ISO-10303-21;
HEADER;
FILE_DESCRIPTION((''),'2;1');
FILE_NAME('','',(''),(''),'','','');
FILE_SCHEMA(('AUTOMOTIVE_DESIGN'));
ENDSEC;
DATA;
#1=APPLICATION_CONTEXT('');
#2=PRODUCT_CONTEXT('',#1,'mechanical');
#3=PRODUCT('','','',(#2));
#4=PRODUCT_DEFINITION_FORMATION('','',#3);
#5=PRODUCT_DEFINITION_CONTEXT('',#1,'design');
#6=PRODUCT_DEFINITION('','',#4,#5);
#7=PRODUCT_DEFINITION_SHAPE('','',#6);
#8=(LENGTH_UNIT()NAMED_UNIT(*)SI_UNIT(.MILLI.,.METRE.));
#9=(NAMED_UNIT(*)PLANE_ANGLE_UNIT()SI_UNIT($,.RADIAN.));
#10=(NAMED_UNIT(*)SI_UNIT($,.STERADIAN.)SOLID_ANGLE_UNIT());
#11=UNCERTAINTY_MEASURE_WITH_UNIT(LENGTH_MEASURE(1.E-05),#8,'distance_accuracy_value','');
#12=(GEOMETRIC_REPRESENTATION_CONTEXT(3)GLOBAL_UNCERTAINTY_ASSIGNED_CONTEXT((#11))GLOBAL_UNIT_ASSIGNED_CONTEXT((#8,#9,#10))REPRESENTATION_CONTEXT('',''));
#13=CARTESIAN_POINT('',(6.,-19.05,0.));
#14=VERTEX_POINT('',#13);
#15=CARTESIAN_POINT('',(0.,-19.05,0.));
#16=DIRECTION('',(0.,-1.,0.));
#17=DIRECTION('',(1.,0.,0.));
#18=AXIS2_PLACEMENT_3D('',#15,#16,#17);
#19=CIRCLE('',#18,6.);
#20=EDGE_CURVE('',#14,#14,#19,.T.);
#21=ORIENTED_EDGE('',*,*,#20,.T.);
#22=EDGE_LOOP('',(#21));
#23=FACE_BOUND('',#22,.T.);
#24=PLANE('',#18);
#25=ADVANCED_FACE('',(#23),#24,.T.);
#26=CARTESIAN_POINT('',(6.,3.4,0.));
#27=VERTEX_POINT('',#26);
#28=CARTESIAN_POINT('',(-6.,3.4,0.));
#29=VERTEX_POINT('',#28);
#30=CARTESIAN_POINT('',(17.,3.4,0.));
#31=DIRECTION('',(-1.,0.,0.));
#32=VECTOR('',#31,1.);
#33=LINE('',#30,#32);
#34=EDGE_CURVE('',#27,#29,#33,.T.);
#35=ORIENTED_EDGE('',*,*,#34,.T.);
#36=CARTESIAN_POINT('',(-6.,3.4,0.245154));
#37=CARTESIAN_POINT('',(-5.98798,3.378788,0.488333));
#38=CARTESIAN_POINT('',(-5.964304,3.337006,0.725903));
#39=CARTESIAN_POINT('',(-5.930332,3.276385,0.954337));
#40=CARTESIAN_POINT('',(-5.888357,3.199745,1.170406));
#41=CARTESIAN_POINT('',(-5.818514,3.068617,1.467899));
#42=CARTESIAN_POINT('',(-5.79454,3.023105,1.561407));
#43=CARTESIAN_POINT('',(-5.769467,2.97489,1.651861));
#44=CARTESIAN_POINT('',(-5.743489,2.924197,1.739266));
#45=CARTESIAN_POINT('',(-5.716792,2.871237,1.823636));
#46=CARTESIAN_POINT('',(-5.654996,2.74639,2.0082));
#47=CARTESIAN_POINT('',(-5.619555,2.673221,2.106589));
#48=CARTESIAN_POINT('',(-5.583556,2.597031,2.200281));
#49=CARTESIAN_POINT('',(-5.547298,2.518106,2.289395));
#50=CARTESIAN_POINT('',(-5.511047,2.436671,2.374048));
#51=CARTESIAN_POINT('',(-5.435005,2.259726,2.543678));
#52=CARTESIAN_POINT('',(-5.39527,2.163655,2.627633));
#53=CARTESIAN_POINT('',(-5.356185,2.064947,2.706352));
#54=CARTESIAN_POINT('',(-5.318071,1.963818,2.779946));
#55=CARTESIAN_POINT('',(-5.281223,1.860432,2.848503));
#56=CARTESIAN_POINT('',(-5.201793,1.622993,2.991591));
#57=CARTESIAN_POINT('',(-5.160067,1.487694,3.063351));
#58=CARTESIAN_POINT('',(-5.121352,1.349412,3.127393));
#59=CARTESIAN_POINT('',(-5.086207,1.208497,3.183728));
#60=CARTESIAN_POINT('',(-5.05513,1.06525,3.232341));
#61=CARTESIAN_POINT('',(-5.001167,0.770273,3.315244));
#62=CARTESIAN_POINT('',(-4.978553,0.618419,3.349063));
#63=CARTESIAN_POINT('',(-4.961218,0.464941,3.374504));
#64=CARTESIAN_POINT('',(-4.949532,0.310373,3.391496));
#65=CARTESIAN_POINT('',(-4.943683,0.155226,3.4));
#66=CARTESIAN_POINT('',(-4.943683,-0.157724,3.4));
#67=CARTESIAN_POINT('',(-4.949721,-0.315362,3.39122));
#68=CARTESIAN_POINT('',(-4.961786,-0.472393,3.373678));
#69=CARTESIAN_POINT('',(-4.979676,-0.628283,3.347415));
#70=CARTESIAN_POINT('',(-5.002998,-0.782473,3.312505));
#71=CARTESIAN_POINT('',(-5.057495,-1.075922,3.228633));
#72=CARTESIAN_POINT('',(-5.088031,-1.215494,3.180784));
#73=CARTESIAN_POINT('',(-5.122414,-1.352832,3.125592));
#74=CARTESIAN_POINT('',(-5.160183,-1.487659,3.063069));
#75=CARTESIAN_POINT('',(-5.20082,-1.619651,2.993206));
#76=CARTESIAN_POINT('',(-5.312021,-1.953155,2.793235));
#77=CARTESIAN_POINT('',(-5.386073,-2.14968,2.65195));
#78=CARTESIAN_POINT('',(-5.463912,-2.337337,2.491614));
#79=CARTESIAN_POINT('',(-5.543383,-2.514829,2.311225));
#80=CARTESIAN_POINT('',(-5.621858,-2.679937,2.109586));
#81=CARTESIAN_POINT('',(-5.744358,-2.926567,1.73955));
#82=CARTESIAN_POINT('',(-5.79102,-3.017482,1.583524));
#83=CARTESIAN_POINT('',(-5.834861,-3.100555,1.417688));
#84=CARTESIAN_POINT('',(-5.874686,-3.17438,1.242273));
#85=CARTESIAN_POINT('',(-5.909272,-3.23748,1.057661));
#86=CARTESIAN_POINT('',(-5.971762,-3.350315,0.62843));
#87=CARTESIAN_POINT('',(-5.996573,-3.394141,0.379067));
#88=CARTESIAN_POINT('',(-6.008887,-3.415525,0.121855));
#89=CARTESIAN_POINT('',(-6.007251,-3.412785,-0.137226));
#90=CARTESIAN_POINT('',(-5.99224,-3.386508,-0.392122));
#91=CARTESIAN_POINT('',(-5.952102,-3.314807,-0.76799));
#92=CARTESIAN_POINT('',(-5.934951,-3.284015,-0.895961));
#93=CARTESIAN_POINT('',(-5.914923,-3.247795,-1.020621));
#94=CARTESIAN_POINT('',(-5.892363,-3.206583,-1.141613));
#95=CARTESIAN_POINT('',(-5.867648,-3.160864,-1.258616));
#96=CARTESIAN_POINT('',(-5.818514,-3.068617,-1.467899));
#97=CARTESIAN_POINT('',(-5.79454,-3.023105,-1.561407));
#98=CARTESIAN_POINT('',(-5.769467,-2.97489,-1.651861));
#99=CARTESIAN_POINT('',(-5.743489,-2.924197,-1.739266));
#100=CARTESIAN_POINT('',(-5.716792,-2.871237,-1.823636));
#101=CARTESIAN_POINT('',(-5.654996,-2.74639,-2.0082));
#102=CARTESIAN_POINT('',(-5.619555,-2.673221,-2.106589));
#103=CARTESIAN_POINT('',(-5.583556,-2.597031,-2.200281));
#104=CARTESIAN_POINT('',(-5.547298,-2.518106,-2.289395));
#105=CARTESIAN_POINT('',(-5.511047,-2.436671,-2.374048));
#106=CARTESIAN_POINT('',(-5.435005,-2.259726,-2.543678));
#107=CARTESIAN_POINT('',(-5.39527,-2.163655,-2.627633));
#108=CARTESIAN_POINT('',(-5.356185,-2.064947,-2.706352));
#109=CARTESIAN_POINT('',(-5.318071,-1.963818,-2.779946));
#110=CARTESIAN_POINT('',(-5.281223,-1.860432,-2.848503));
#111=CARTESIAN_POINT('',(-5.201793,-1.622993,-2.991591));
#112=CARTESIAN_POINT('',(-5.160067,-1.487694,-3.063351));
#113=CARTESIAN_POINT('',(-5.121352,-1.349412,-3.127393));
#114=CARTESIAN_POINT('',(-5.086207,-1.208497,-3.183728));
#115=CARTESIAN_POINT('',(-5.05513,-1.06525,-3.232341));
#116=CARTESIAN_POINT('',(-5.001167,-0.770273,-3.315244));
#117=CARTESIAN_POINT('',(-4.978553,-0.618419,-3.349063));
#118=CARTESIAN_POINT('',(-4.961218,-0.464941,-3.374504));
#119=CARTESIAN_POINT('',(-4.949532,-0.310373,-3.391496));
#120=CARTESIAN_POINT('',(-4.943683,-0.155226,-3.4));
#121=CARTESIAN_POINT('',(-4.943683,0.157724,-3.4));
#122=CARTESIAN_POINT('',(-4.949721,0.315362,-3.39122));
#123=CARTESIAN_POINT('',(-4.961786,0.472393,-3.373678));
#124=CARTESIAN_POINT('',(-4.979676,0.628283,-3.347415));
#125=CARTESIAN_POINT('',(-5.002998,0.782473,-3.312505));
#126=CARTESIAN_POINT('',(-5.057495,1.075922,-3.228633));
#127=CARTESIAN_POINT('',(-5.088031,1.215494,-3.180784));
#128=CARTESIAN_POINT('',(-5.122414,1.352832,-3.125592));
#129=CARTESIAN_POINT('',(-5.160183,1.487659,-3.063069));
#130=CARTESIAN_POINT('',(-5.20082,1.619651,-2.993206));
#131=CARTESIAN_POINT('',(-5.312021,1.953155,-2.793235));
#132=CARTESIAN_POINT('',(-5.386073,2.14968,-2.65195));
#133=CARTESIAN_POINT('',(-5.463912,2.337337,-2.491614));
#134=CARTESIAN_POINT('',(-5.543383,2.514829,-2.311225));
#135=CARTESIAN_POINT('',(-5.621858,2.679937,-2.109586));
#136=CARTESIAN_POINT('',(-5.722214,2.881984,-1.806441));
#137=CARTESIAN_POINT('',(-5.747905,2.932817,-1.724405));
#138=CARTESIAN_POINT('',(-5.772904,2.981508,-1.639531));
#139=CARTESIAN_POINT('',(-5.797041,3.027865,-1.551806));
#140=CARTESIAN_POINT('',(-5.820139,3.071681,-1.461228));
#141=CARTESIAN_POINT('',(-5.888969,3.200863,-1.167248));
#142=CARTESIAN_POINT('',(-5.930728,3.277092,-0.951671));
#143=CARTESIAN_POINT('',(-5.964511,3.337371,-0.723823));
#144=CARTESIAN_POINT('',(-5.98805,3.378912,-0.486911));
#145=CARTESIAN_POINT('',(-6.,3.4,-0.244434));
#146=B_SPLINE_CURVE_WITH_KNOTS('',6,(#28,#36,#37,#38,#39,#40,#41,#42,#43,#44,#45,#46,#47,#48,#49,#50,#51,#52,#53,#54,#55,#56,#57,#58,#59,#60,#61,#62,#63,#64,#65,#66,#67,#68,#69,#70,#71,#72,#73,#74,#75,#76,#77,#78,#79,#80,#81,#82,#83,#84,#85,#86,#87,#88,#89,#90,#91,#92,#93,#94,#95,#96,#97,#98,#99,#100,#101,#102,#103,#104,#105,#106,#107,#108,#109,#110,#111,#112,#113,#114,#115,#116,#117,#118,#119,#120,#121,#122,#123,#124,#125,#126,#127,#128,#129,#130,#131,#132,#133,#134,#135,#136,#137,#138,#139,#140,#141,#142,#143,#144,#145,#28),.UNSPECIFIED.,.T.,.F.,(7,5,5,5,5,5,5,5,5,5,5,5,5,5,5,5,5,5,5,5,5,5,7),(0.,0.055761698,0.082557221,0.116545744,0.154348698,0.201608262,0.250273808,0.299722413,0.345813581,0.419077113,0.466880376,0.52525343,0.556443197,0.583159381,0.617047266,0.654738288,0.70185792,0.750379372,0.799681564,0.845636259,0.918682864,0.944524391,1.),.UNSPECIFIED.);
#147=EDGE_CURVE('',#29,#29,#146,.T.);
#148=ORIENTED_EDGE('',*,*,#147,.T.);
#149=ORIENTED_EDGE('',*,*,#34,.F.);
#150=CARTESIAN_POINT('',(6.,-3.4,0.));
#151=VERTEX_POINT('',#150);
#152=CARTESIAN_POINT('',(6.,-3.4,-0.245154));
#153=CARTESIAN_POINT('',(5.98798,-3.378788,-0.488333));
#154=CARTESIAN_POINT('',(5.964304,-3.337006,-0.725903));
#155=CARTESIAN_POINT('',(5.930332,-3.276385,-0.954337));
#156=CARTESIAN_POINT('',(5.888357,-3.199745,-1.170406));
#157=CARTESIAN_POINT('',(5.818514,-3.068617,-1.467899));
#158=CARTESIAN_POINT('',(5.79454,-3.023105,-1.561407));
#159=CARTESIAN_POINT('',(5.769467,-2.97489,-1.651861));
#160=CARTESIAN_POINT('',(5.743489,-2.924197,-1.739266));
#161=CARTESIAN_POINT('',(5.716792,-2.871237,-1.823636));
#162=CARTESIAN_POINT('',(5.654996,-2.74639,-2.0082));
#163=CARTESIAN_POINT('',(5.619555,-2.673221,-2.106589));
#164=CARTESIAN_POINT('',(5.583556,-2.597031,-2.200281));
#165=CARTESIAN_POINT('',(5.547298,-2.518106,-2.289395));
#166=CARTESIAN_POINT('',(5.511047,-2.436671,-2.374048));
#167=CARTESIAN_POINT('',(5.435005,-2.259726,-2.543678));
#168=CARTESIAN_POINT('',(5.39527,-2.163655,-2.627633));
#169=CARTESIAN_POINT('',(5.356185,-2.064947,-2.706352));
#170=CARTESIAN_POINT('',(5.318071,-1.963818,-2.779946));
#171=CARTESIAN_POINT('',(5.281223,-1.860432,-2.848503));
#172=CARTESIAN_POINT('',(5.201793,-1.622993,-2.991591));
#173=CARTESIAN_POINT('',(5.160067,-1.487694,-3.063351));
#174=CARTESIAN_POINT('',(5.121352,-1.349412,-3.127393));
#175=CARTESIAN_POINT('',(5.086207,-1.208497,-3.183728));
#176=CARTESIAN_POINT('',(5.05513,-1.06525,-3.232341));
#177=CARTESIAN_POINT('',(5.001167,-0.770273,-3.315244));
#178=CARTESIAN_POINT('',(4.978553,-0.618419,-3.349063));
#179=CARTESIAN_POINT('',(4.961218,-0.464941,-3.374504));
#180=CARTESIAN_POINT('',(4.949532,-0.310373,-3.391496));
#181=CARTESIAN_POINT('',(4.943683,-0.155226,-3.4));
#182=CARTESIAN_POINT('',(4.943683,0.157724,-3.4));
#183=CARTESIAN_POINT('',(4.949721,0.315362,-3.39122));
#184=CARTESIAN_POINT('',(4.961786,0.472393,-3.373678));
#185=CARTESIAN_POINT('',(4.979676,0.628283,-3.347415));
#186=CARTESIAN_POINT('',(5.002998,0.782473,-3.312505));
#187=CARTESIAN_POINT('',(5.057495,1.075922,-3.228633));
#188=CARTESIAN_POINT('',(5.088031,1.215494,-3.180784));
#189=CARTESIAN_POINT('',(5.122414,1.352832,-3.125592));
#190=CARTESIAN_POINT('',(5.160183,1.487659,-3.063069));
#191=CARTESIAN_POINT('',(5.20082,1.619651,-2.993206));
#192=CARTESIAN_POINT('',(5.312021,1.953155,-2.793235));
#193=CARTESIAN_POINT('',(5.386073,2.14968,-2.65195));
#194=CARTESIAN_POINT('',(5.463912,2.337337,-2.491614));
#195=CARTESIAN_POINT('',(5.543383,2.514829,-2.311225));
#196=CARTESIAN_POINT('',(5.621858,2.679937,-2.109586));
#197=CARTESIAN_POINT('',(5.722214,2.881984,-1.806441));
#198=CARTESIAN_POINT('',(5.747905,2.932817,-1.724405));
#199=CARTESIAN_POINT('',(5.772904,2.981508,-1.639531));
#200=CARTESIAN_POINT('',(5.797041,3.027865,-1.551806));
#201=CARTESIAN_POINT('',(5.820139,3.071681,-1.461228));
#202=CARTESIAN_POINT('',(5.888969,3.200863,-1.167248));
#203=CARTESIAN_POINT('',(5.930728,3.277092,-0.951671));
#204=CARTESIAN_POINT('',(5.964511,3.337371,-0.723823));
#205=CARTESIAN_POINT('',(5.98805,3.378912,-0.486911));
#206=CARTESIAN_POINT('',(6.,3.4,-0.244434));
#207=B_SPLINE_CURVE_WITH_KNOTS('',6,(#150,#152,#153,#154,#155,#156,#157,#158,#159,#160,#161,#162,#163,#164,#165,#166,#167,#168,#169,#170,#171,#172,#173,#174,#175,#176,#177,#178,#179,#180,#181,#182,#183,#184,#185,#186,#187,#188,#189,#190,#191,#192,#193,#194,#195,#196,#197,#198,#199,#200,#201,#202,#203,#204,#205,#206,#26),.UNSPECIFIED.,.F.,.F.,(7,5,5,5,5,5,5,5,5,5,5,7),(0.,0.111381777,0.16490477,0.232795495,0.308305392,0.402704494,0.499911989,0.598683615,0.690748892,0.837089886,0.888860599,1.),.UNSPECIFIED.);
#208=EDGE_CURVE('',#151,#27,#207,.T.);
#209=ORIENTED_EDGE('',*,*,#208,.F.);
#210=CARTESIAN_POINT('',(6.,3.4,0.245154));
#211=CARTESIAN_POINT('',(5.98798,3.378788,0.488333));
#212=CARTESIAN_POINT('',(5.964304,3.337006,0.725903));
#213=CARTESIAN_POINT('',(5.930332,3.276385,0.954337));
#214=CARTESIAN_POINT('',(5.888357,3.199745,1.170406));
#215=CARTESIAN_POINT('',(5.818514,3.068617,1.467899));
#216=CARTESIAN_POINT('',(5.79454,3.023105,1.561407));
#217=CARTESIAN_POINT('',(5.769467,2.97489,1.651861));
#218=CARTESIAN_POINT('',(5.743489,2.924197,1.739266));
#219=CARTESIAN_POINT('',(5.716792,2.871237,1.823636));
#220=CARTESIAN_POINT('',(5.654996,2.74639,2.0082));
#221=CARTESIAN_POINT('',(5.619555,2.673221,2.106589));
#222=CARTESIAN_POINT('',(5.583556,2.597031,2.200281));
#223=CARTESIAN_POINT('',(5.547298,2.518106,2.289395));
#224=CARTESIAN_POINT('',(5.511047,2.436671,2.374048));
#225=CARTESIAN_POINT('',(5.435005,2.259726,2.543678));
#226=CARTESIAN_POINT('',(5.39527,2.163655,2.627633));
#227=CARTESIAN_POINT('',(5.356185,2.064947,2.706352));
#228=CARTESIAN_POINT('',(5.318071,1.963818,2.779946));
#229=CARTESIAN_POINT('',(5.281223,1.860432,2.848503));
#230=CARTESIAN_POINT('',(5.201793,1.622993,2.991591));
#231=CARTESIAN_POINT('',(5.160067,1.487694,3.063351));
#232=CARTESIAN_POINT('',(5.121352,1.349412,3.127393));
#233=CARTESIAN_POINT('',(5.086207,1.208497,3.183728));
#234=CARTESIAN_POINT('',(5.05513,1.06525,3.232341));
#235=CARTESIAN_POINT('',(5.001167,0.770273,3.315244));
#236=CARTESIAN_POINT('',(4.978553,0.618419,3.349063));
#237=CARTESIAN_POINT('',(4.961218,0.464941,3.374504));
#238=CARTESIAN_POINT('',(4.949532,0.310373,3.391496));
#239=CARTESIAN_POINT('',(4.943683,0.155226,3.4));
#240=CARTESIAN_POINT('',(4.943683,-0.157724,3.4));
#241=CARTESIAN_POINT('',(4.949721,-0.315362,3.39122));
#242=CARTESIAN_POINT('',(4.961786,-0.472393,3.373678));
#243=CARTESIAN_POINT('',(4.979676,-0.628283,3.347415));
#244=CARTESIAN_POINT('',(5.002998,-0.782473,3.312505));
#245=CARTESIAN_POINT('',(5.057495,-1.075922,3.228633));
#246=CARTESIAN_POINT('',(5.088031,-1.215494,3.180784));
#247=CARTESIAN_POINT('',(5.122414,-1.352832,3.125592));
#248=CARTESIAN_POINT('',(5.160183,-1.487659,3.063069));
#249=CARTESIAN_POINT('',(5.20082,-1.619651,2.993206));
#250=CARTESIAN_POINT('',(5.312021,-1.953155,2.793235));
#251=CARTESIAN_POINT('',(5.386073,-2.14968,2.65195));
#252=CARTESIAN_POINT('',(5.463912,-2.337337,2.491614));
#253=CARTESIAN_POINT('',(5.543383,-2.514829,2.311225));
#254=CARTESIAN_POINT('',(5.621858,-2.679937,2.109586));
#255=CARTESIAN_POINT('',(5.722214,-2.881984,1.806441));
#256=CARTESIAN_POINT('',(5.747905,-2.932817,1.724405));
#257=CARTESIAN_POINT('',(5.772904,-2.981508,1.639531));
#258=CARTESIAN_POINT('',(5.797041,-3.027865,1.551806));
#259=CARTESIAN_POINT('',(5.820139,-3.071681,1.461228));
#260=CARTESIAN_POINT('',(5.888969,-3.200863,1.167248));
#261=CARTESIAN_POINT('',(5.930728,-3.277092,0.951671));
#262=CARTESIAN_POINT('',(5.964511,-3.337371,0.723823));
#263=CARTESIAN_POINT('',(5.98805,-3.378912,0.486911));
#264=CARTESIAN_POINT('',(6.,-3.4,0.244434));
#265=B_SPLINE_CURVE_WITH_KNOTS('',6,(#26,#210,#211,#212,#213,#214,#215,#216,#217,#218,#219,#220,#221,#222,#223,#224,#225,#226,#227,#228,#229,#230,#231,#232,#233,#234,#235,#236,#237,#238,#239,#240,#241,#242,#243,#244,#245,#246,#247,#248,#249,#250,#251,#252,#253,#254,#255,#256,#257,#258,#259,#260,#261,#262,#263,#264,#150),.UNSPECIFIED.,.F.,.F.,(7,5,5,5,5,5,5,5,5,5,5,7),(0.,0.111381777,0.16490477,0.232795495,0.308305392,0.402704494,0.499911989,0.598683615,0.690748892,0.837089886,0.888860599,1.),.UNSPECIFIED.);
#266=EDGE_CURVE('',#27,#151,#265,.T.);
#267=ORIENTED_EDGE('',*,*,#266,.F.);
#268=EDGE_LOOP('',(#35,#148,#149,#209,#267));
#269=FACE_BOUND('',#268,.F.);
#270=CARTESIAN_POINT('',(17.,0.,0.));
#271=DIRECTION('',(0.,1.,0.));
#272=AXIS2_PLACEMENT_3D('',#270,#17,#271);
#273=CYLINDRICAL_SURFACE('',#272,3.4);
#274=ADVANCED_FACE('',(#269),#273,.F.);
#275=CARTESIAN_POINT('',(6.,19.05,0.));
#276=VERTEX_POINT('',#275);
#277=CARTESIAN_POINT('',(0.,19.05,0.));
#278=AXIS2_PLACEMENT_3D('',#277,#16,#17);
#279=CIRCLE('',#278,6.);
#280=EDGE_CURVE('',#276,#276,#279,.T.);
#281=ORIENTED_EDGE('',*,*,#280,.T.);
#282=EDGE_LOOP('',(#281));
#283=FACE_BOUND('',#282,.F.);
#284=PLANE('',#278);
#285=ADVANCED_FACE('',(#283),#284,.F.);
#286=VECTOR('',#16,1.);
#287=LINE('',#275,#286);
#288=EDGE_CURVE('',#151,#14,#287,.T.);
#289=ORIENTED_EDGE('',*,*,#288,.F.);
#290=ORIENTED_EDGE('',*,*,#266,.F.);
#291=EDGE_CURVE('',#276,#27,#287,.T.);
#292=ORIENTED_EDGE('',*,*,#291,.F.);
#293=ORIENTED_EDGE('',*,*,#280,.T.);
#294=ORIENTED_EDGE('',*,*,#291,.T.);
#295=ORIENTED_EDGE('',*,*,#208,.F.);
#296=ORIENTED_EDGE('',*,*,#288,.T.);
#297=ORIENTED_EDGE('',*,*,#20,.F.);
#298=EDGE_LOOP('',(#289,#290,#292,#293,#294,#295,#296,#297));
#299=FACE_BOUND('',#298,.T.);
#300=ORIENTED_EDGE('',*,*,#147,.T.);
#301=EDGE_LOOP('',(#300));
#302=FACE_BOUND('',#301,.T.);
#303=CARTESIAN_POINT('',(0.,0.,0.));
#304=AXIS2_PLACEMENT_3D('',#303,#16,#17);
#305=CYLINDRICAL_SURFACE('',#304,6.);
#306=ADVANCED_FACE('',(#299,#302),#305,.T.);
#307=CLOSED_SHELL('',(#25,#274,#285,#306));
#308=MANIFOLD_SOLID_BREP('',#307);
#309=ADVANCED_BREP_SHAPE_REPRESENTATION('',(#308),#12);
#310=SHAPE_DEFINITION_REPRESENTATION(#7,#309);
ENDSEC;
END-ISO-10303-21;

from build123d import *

# Parameters (mm, degrees)
SKETCH_R    = 6
PAD_DEPTH   = 19.05
SKETCH001_R = 3.4
HOLE_DEPTH  = 23.001


with BuildPart() as part:
    # Sketch → Pad (new body, symmetric)
    with BuildSketch(Plane.XZ):
        Circle(SKETCH_R)
    extrude(amount=PAD_DEPTH, both=True)

    # Sketch001 → Hole (cut, through all)
    with BuildSketch(Plane.YZ.offset(17)):
        Circle(SKETCH001_R)
    extrude(amount=-HOLE_DEPTH, mode=Mode.SUBTRACT)


solid = part.part
